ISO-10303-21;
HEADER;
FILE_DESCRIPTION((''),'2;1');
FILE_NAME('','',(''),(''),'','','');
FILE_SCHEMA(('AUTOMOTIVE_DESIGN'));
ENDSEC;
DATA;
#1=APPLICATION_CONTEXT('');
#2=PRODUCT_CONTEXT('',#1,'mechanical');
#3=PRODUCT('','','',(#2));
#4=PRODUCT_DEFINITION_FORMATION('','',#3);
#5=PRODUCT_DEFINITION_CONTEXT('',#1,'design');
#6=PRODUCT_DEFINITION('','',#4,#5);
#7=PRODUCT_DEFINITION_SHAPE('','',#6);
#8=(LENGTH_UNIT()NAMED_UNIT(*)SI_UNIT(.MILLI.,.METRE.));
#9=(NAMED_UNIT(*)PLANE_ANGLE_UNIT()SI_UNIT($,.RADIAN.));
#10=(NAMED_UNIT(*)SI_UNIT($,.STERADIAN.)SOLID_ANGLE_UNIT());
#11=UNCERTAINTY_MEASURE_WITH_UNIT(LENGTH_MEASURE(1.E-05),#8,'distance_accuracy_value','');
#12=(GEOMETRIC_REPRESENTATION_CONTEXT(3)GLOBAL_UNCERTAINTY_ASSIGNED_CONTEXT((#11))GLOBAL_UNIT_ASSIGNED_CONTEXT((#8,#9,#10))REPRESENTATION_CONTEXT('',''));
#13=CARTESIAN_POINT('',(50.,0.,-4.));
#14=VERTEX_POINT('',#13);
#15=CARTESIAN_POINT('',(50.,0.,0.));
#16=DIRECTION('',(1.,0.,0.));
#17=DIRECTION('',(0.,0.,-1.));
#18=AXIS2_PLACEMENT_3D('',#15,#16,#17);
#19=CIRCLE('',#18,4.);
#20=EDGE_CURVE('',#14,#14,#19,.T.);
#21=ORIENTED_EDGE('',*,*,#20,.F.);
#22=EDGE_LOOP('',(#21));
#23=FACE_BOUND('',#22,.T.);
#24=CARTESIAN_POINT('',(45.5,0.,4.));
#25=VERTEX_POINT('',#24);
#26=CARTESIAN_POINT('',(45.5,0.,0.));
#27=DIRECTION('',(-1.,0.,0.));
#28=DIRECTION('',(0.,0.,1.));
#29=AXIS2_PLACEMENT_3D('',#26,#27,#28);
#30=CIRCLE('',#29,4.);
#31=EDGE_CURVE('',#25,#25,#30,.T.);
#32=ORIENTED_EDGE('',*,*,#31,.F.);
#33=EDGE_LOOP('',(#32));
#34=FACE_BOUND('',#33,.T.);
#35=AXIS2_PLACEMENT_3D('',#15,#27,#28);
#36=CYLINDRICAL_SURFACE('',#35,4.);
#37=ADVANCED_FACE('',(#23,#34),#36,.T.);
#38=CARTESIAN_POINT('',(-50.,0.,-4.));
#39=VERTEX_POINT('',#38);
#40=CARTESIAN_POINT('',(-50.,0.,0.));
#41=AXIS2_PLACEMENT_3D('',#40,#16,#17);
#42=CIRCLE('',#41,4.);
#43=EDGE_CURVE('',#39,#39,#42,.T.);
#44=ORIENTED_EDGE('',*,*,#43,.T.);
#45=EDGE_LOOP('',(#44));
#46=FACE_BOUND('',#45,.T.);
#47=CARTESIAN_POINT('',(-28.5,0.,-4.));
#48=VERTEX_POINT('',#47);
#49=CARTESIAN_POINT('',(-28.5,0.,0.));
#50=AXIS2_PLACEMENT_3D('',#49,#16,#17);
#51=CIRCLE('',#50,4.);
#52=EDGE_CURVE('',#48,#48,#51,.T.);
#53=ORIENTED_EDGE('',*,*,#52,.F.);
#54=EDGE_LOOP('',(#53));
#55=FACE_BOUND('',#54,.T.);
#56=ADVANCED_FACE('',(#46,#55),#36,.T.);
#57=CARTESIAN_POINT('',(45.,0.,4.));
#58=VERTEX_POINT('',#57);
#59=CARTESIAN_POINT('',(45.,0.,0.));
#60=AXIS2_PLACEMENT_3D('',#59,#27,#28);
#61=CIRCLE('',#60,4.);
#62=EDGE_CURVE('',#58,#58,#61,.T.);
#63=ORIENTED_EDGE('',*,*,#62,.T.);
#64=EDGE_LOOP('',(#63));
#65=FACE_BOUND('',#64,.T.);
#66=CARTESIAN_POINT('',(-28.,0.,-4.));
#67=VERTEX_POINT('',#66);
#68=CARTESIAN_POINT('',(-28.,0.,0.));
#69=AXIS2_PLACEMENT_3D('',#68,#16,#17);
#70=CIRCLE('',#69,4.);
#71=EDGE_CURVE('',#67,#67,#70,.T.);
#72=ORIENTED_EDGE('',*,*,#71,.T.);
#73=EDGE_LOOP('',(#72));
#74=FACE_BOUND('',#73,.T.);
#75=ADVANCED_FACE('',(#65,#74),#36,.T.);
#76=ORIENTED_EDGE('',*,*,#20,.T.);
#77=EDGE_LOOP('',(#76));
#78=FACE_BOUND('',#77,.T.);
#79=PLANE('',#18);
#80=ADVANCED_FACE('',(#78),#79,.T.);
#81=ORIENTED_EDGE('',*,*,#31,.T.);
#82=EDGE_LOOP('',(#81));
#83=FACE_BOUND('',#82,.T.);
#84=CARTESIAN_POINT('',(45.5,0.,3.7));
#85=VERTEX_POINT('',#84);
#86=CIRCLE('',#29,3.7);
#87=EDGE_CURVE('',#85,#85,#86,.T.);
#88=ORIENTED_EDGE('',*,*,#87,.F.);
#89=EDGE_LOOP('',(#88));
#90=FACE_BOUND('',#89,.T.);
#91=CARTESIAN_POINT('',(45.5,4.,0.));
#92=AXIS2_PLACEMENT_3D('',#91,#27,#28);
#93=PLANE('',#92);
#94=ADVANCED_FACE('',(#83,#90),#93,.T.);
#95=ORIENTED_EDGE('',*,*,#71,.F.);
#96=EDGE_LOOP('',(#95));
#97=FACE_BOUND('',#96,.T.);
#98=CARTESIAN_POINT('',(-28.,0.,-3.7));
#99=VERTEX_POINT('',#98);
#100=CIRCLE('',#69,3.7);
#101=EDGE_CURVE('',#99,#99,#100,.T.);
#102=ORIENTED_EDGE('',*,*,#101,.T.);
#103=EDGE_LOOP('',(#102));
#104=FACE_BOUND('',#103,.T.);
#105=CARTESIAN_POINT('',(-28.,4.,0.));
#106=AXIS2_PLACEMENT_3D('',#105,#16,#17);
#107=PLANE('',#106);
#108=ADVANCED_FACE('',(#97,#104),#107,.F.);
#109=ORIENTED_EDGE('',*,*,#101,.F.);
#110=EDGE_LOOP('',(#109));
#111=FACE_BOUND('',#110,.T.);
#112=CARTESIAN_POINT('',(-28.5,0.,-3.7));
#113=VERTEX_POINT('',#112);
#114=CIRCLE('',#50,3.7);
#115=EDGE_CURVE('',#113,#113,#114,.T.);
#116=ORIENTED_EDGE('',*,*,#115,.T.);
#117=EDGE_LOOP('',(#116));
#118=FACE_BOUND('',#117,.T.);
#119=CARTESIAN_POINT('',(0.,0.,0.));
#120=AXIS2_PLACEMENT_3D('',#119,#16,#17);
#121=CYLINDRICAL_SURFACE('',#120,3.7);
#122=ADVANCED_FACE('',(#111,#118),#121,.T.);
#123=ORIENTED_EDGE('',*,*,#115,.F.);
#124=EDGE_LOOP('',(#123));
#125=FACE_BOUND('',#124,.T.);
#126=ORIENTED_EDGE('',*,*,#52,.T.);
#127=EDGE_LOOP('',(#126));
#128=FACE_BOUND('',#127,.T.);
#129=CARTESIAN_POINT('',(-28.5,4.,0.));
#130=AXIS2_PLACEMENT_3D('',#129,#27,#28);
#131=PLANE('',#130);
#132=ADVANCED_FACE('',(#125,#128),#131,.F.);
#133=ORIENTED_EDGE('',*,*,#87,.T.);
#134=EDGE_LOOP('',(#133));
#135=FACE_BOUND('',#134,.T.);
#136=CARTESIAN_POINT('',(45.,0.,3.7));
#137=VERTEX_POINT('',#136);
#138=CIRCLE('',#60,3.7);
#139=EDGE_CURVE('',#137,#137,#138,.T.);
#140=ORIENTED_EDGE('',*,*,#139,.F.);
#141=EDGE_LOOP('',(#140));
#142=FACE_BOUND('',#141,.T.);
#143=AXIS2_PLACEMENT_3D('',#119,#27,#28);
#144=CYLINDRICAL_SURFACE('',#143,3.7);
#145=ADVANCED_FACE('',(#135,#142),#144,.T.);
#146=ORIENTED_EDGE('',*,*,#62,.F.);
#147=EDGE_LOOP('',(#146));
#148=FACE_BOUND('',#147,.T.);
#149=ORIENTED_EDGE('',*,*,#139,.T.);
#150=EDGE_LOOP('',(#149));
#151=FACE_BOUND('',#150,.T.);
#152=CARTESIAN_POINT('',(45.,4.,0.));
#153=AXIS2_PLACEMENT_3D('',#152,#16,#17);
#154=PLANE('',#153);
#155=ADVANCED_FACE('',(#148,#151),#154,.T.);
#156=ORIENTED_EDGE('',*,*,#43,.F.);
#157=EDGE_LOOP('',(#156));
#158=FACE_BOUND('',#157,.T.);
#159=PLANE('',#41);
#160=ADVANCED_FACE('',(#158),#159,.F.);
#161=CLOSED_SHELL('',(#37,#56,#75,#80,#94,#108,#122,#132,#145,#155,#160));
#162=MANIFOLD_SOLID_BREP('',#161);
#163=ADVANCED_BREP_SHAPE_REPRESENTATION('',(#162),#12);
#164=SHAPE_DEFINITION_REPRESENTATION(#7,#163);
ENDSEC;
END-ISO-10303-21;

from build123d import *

# Parameters (mm, degrees)
SKETCH1_R           = 4
BOSS_EXTRUDE1_DEPTH = 50
SKETCH2_W           = 0.5
SKETCH2_H           = 0.3
SKETCH3_W           = 0.5
SKETCH3_H           = 0.3


with BuildPart() as part:
    # Sketch1 → Boss-Extrude1 (new, symmetric)
    with BuildSketch(Plane(origin=(0, 0, 0), x_dir=(0, 0, -1), z_dir=(1, 0, 0))):
        Circle(SKETCH1_R)
    extrude(amount=BOSS_EXTRUDE1_DEPTH, both=True)

    # Sketch2 → Cut-Revolve1 (revolve, cut)
    with BuildSketch(Plane.XY, mode=Mode.PRIVATE) as cut_revolve1_sk:
        with Locations((45.25, 3.85)):
            Rectangle(SKETCH2_W, SKETCH2_H)
    revolve(cut_revolve1_sk.sketch.rotate(Axis((0, 0, 0), (1, 0, 0)), 90), axis=Axis((0, 0, 0), (1, 0, 0)), mode=Mode.SUBTRACT)

    # Sketch3 → Cut-Revolve2 (revolve, cut)
    with BuildSketch(Plane.XY, mode=Mode.PRIVATE) as cut_revolve2_sk:
        with Locations((-28.25, 3.85)):
            Rectangle(SKETCH3_W, SKETCH3_H)
    revolve(cut_revolve2_sk.sketch.rotate(Axis((0, 0, 0), (-1, 0, 0)), 270), axis=Axis((0, 0, 0), (-1, 0, 0)), mode=Mode.SUBTRACT)


solid = part.part
